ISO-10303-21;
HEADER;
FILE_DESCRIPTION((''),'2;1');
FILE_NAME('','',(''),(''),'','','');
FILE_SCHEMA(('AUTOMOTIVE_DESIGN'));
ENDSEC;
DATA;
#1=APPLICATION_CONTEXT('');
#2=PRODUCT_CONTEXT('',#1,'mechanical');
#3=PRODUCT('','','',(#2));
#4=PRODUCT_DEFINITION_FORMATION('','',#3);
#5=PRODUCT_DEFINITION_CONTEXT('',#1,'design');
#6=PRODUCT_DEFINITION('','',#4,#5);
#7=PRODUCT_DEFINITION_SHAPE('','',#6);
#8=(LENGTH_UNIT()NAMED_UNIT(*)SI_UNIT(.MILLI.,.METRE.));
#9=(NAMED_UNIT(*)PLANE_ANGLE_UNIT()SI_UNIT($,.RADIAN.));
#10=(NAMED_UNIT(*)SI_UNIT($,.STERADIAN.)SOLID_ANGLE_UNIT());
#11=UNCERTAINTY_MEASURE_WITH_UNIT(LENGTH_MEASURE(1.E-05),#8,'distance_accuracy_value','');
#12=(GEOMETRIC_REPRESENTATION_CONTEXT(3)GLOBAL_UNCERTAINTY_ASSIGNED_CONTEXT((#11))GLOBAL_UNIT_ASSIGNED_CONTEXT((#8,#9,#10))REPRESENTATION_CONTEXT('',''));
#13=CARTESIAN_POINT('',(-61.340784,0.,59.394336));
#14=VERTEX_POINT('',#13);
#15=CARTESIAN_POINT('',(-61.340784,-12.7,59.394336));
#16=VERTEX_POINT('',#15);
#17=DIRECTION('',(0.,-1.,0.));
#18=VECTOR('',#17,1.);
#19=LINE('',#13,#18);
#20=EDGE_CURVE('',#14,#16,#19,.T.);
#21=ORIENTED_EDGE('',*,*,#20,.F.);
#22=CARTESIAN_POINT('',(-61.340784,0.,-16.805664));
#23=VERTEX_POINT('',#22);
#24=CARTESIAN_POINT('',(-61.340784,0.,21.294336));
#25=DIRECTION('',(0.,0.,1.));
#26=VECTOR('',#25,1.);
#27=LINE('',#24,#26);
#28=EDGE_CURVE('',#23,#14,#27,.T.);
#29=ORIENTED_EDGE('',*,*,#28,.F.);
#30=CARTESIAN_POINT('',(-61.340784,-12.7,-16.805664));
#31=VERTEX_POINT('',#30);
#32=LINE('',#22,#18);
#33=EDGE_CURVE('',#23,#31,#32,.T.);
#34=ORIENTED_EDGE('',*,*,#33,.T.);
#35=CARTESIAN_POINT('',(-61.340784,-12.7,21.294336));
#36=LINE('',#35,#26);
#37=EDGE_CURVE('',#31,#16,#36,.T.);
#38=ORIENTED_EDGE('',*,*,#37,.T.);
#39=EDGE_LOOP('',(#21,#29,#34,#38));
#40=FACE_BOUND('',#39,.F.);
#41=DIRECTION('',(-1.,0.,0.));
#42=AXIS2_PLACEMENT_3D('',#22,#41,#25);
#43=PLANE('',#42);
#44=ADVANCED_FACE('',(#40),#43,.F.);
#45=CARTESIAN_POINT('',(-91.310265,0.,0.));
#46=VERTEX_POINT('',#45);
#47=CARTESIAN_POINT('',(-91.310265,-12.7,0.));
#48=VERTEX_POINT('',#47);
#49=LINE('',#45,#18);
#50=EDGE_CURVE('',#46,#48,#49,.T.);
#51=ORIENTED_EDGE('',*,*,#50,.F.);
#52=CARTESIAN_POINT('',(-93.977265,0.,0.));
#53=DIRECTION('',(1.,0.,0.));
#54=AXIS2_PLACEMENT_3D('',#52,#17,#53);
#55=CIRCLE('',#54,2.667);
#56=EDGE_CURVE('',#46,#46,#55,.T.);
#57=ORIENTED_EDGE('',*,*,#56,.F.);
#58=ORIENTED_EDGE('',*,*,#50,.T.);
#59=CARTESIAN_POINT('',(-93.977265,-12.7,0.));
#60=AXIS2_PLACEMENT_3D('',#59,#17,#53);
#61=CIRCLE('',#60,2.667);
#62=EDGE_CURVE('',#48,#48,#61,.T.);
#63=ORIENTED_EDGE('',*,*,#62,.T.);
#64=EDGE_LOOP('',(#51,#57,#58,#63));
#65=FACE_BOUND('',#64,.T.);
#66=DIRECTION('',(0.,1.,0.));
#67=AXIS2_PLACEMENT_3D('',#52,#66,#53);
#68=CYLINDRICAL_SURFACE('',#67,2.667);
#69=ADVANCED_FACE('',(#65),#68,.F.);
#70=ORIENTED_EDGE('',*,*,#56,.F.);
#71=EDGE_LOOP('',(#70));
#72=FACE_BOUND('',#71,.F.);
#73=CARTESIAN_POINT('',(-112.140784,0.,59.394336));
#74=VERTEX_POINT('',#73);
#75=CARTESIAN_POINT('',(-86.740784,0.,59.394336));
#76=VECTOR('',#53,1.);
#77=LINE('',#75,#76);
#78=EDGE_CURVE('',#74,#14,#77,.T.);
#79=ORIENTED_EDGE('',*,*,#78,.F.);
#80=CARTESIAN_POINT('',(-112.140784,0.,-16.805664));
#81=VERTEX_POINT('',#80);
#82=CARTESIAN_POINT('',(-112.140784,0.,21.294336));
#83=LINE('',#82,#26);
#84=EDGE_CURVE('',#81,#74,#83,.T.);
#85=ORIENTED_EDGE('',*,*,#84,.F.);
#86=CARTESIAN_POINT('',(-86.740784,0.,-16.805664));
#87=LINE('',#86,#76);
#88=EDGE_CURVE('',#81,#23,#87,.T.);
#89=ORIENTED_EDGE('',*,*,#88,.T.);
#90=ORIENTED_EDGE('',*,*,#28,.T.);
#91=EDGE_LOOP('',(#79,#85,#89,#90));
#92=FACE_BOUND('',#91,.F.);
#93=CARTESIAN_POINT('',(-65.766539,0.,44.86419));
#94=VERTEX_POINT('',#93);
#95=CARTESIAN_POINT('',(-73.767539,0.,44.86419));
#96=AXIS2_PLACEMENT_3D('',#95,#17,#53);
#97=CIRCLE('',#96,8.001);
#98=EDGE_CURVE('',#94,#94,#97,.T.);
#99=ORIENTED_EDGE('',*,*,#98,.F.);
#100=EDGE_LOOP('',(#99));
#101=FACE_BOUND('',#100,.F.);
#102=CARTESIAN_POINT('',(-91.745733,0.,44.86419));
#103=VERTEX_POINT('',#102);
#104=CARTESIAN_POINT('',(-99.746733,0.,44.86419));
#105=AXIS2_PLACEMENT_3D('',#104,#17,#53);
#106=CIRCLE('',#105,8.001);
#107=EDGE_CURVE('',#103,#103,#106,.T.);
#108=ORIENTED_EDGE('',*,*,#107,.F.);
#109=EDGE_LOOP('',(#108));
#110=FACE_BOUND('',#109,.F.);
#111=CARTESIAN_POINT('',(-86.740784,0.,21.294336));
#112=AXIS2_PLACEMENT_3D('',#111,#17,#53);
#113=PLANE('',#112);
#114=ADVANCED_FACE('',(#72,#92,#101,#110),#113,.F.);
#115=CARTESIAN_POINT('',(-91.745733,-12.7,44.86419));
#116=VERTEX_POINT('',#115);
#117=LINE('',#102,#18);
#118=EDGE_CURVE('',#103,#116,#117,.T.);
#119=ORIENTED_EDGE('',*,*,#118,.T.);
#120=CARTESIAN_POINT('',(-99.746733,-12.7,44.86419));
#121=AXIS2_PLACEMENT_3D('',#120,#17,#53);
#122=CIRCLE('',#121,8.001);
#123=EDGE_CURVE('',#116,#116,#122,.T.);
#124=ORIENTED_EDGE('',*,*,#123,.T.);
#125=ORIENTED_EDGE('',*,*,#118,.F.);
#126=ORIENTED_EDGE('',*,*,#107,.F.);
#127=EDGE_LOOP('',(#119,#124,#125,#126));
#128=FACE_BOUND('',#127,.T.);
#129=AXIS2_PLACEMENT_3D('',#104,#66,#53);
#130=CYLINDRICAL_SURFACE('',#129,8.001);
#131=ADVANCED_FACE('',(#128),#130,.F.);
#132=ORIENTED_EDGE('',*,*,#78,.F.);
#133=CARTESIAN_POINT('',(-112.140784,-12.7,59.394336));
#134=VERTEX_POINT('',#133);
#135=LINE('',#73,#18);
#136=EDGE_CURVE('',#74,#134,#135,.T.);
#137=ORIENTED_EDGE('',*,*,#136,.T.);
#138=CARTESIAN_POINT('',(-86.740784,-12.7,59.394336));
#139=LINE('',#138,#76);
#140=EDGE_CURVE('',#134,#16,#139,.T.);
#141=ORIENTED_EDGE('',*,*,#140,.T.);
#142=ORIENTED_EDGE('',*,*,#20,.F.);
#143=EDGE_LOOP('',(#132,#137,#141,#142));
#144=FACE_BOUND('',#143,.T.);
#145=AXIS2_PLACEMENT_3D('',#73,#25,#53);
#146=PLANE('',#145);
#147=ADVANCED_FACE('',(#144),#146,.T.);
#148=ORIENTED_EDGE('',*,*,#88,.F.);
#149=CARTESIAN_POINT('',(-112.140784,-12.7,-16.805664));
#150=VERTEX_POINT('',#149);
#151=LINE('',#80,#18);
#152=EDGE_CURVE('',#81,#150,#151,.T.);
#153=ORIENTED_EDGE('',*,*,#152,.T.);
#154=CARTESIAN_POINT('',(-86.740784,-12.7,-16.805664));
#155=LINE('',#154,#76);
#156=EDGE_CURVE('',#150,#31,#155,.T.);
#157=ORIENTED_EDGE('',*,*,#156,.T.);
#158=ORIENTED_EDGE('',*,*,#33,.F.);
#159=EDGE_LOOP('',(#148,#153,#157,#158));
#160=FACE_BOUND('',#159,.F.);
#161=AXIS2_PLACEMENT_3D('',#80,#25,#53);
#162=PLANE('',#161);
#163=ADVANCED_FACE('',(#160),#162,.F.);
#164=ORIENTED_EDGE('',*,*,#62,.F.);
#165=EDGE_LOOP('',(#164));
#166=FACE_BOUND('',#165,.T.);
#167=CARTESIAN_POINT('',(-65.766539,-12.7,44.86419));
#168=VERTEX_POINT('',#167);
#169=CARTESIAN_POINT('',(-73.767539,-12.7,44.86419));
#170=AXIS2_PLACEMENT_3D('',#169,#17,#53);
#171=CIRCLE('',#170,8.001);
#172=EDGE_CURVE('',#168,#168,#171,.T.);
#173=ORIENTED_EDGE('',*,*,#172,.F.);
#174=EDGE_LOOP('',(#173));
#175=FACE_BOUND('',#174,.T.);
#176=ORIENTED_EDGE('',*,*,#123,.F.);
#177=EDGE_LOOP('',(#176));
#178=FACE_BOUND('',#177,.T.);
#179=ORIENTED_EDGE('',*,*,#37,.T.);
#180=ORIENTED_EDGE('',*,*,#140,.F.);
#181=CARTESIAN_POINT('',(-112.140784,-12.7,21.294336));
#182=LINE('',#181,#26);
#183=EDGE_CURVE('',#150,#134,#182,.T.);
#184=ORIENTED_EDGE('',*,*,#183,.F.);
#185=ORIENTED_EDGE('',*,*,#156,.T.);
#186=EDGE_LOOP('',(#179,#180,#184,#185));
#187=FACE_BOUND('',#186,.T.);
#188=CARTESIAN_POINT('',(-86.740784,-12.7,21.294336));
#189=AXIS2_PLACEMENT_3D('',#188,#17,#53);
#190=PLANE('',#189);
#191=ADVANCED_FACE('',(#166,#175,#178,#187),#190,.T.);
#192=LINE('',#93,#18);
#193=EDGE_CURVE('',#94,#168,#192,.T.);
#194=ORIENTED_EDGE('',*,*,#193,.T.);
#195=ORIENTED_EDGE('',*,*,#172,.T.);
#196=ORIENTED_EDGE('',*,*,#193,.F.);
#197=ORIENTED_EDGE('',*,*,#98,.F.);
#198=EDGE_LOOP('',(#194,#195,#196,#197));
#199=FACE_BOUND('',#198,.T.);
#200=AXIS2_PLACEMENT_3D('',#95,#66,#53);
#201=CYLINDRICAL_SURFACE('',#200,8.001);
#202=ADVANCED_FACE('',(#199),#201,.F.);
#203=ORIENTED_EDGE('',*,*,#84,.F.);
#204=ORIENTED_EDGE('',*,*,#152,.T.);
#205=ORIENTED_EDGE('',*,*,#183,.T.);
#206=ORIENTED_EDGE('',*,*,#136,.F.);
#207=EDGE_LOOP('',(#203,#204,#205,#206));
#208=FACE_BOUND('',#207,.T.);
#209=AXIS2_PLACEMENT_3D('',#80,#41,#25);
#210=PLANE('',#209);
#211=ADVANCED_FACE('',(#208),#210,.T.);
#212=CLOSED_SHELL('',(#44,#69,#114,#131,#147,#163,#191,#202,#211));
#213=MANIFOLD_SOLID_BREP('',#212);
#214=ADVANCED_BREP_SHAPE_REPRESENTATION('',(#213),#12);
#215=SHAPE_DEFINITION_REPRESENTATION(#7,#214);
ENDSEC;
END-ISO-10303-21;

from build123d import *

# Parameters (mm, degrees)
F0_W     = 50.8
F0_H     = 76.2
F0_R     = 2.667
F0_R_2   = 8.001
F1_DEPTH = 12.7


with BuildPart() as f1:
    # F0 (on Front) → F1 (new body)
    with BuildSketch(Plane.XZ):
        with Locations((-86.740784, 21.294336)):
            Rectangle(F0_W, F0_H)
        with Locations((-93.977265, 0)):
            Circle(F0_R, mode=Mode.SUBTRACT)
        with Locations((-99.746733, 44.86419)):
            Circle(F0_R_2, mode=Mode.SUBTRACT)
        with Locations((-73.767539, 44.86419)):
            Circle(F0_R_2, mode=Mode.SUBTRACT)
    extrude(amount=F1_DEPTH)


solid = f1.part
